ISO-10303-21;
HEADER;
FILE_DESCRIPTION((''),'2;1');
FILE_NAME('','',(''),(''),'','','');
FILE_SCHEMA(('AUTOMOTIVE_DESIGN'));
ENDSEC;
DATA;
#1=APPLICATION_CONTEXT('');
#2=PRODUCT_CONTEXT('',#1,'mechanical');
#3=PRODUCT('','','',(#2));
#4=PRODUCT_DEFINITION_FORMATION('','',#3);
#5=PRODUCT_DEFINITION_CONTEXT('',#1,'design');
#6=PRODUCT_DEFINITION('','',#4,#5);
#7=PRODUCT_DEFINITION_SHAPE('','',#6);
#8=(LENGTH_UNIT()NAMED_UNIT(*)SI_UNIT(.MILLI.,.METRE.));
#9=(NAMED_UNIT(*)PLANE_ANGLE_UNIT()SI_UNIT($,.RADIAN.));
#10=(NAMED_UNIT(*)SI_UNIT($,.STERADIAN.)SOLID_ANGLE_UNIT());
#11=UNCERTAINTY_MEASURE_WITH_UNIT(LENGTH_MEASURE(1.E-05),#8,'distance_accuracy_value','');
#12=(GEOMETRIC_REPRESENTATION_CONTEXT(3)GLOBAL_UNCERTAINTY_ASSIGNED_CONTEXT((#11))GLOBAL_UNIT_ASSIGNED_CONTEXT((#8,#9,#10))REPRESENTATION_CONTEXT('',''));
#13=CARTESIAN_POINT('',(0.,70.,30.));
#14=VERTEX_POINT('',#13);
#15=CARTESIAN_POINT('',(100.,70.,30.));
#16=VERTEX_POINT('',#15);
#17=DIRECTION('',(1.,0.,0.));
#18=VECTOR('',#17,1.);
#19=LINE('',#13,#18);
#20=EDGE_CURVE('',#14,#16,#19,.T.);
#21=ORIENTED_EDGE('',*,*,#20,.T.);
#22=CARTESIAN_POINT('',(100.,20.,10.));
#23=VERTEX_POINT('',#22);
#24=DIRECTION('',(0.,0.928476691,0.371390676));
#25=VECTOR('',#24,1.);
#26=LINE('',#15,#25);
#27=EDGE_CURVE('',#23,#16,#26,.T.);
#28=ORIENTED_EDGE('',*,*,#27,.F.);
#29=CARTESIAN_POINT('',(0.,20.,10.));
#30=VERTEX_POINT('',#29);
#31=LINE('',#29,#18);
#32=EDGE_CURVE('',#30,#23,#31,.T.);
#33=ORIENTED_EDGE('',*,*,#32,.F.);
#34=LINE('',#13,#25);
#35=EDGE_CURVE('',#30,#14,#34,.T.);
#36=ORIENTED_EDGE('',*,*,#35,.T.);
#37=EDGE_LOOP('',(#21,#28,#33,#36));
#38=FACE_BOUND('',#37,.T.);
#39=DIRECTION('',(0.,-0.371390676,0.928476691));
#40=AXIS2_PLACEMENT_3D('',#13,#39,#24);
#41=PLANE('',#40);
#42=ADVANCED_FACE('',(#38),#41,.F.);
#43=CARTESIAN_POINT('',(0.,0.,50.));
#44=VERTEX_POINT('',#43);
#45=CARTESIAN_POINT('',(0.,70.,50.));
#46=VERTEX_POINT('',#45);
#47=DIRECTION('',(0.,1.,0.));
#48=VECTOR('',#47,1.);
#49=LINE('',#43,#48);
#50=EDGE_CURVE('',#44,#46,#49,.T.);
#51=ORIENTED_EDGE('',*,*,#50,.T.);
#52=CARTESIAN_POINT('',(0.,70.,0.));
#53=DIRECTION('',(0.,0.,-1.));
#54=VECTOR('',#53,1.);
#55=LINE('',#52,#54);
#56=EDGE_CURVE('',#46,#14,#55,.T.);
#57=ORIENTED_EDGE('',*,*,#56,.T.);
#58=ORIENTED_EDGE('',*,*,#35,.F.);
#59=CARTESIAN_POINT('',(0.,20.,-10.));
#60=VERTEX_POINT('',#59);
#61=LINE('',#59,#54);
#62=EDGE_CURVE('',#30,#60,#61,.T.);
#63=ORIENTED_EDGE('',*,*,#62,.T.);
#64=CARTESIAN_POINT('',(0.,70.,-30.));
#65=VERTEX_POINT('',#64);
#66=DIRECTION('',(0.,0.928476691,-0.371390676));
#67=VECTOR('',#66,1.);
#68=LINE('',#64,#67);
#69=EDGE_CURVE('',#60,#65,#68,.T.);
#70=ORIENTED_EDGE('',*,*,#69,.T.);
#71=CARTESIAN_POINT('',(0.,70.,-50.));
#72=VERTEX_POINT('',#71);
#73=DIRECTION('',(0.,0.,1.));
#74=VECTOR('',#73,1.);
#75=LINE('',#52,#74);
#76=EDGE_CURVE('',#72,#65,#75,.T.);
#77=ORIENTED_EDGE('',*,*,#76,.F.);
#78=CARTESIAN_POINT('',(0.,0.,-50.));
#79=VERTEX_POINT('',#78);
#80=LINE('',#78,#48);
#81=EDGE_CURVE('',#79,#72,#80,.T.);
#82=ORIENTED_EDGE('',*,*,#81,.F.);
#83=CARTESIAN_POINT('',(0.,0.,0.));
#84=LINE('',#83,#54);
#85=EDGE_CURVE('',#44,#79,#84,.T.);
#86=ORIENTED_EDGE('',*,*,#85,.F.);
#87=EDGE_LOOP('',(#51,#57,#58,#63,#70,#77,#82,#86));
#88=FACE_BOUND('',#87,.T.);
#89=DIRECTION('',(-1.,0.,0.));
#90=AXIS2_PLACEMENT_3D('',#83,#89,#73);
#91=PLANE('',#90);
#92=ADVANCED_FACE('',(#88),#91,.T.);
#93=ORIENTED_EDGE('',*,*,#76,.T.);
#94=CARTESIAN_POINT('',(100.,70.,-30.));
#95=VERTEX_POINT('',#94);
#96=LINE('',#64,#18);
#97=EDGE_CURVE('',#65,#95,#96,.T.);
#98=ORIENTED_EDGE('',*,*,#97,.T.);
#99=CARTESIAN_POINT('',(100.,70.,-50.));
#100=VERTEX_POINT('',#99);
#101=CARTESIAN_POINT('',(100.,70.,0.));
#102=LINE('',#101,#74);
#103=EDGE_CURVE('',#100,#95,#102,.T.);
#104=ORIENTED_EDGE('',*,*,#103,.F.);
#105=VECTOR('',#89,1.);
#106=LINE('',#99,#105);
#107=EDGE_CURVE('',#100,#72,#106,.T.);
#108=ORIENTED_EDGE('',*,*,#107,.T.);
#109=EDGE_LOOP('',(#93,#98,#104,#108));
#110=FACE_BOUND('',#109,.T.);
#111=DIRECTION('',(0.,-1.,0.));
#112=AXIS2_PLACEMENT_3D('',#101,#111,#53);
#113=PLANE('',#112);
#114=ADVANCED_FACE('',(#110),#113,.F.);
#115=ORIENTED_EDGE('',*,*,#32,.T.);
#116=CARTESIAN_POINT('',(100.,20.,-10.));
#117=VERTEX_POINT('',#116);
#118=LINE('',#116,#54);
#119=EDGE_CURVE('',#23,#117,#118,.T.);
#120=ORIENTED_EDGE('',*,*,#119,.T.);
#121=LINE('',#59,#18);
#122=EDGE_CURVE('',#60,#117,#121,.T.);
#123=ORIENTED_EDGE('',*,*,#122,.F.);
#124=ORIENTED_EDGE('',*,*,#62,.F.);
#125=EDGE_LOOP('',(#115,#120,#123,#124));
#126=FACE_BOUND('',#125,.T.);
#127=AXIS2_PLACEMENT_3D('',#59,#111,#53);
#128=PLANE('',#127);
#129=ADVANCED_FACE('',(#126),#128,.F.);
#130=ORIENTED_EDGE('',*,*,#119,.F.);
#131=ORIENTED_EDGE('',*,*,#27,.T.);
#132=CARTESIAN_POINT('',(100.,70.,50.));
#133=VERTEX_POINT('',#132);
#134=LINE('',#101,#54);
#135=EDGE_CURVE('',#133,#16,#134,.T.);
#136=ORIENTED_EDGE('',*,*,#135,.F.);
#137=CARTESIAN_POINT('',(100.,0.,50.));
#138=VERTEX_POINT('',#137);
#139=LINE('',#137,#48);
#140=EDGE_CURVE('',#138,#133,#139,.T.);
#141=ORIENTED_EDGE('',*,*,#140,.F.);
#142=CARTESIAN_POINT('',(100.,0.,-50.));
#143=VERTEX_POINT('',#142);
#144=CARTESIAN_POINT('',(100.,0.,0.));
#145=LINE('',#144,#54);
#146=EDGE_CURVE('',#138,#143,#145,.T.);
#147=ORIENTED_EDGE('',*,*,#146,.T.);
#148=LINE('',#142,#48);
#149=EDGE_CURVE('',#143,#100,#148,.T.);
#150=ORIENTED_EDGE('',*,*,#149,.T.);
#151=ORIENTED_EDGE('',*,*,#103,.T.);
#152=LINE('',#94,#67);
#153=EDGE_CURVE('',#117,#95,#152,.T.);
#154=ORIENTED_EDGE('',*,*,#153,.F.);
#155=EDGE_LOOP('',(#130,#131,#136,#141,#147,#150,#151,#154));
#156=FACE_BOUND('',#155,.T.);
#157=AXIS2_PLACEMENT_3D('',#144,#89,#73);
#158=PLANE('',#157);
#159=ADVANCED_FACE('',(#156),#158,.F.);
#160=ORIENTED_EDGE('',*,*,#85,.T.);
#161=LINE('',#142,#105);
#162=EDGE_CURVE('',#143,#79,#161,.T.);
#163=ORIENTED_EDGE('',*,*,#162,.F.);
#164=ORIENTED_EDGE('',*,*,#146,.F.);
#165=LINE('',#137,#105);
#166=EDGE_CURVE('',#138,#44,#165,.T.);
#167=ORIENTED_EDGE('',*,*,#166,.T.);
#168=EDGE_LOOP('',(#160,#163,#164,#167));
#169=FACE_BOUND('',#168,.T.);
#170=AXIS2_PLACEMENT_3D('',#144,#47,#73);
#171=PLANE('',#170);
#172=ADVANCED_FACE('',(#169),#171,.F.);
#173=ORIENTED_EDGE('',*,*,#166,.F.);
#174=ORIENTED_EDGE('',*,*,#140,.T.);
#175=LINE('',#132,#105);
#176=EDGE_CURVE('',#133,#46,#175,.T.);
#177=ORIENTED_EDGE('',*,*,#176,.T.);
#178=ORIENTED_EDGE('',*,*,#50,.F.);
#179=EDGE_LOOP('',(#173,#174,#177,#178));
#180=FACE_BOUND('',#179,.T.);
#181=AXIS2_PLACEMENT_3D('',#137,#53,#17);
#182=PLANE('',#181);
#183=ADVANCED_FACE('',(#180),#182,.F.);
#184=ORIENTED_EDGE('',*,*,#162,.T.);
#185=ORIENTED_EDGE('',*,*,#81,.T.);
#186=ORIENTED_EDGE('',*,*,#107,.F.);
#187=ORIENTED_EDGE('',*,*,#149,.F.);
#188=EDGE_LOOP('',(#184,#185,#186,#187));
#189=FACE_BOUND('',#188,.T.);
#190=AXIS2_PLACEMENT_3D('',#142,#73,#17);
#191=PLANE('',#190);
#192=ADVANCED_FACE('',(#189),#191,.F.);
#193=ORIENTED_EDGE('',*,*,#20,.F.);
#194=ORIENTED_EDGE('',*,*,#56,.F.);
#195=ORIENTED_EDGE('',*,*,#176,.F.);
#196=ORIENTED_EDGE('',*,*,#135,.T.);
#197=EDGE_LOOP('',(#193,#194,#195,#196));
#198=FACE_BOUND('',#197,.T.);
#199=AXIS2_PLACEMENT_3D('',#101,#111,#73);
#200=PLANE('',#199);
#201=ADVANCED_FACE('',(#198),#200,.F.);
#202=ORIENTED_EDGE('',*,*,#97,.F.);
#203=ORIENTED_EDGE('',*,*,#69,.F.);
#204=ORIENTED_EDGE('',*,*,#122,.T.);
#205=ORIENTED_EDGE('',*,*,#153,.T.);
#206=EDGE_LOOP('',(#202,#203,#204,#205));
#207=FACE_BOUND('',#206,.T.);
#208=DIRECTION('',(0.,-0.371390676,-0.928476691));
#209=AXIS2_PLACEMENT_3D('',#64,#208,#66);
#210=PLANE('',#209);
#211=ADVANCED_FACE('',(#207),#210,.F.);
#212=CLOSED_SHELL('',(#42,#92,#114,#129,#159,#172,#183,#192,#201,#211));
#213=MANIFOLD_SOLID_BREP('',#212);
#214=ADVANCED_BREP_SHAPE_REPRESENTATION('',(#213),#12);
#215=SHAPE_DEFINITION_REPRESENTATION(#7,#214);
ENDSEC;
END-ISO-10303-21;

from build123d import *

# Parameters (mm, degrees)
SKETCH1_W           = 50
SKETCH1_H           = 70
BOSS_EXTRUDE1_DEPTH = 100
CUT_EXTRUDE1_DEPTH  = 100


with BuildPart() as part:
    # Sketch1 → Boss-Extrude1 (new body)
    with BuildSketch(Plane(origin=(0, 0, 0), x_dir=(0, 0, -1), z_dir=(1, 0, 0))):
        with Locations((25, 35)):
            Rectangle(SKETCH1_W, SKETCH1_H)
    extrude(amount=BOSS_EXTRUDE1_DEPTH)

    # Sketch2 → Cut-Extrude1 (cut)
    with BuildSketch(Plane(origin=(100, 0, 0), x_dir=(0, 0, -1), z_dir=(1, 0, 0))):
        Polygon((0, 70), (30, 70), (10, 20), (0, 20), align=None)
    extrude(amount=-CUT_EXTRUDE1_DEPTH, mode=Mode.SUBTRACT)

    # Mirror1: part across plane


with BuildPart() as part_1:
    add(part.part)
    add(part.part.mirror(Plane.XY))


solid = part_1.part
